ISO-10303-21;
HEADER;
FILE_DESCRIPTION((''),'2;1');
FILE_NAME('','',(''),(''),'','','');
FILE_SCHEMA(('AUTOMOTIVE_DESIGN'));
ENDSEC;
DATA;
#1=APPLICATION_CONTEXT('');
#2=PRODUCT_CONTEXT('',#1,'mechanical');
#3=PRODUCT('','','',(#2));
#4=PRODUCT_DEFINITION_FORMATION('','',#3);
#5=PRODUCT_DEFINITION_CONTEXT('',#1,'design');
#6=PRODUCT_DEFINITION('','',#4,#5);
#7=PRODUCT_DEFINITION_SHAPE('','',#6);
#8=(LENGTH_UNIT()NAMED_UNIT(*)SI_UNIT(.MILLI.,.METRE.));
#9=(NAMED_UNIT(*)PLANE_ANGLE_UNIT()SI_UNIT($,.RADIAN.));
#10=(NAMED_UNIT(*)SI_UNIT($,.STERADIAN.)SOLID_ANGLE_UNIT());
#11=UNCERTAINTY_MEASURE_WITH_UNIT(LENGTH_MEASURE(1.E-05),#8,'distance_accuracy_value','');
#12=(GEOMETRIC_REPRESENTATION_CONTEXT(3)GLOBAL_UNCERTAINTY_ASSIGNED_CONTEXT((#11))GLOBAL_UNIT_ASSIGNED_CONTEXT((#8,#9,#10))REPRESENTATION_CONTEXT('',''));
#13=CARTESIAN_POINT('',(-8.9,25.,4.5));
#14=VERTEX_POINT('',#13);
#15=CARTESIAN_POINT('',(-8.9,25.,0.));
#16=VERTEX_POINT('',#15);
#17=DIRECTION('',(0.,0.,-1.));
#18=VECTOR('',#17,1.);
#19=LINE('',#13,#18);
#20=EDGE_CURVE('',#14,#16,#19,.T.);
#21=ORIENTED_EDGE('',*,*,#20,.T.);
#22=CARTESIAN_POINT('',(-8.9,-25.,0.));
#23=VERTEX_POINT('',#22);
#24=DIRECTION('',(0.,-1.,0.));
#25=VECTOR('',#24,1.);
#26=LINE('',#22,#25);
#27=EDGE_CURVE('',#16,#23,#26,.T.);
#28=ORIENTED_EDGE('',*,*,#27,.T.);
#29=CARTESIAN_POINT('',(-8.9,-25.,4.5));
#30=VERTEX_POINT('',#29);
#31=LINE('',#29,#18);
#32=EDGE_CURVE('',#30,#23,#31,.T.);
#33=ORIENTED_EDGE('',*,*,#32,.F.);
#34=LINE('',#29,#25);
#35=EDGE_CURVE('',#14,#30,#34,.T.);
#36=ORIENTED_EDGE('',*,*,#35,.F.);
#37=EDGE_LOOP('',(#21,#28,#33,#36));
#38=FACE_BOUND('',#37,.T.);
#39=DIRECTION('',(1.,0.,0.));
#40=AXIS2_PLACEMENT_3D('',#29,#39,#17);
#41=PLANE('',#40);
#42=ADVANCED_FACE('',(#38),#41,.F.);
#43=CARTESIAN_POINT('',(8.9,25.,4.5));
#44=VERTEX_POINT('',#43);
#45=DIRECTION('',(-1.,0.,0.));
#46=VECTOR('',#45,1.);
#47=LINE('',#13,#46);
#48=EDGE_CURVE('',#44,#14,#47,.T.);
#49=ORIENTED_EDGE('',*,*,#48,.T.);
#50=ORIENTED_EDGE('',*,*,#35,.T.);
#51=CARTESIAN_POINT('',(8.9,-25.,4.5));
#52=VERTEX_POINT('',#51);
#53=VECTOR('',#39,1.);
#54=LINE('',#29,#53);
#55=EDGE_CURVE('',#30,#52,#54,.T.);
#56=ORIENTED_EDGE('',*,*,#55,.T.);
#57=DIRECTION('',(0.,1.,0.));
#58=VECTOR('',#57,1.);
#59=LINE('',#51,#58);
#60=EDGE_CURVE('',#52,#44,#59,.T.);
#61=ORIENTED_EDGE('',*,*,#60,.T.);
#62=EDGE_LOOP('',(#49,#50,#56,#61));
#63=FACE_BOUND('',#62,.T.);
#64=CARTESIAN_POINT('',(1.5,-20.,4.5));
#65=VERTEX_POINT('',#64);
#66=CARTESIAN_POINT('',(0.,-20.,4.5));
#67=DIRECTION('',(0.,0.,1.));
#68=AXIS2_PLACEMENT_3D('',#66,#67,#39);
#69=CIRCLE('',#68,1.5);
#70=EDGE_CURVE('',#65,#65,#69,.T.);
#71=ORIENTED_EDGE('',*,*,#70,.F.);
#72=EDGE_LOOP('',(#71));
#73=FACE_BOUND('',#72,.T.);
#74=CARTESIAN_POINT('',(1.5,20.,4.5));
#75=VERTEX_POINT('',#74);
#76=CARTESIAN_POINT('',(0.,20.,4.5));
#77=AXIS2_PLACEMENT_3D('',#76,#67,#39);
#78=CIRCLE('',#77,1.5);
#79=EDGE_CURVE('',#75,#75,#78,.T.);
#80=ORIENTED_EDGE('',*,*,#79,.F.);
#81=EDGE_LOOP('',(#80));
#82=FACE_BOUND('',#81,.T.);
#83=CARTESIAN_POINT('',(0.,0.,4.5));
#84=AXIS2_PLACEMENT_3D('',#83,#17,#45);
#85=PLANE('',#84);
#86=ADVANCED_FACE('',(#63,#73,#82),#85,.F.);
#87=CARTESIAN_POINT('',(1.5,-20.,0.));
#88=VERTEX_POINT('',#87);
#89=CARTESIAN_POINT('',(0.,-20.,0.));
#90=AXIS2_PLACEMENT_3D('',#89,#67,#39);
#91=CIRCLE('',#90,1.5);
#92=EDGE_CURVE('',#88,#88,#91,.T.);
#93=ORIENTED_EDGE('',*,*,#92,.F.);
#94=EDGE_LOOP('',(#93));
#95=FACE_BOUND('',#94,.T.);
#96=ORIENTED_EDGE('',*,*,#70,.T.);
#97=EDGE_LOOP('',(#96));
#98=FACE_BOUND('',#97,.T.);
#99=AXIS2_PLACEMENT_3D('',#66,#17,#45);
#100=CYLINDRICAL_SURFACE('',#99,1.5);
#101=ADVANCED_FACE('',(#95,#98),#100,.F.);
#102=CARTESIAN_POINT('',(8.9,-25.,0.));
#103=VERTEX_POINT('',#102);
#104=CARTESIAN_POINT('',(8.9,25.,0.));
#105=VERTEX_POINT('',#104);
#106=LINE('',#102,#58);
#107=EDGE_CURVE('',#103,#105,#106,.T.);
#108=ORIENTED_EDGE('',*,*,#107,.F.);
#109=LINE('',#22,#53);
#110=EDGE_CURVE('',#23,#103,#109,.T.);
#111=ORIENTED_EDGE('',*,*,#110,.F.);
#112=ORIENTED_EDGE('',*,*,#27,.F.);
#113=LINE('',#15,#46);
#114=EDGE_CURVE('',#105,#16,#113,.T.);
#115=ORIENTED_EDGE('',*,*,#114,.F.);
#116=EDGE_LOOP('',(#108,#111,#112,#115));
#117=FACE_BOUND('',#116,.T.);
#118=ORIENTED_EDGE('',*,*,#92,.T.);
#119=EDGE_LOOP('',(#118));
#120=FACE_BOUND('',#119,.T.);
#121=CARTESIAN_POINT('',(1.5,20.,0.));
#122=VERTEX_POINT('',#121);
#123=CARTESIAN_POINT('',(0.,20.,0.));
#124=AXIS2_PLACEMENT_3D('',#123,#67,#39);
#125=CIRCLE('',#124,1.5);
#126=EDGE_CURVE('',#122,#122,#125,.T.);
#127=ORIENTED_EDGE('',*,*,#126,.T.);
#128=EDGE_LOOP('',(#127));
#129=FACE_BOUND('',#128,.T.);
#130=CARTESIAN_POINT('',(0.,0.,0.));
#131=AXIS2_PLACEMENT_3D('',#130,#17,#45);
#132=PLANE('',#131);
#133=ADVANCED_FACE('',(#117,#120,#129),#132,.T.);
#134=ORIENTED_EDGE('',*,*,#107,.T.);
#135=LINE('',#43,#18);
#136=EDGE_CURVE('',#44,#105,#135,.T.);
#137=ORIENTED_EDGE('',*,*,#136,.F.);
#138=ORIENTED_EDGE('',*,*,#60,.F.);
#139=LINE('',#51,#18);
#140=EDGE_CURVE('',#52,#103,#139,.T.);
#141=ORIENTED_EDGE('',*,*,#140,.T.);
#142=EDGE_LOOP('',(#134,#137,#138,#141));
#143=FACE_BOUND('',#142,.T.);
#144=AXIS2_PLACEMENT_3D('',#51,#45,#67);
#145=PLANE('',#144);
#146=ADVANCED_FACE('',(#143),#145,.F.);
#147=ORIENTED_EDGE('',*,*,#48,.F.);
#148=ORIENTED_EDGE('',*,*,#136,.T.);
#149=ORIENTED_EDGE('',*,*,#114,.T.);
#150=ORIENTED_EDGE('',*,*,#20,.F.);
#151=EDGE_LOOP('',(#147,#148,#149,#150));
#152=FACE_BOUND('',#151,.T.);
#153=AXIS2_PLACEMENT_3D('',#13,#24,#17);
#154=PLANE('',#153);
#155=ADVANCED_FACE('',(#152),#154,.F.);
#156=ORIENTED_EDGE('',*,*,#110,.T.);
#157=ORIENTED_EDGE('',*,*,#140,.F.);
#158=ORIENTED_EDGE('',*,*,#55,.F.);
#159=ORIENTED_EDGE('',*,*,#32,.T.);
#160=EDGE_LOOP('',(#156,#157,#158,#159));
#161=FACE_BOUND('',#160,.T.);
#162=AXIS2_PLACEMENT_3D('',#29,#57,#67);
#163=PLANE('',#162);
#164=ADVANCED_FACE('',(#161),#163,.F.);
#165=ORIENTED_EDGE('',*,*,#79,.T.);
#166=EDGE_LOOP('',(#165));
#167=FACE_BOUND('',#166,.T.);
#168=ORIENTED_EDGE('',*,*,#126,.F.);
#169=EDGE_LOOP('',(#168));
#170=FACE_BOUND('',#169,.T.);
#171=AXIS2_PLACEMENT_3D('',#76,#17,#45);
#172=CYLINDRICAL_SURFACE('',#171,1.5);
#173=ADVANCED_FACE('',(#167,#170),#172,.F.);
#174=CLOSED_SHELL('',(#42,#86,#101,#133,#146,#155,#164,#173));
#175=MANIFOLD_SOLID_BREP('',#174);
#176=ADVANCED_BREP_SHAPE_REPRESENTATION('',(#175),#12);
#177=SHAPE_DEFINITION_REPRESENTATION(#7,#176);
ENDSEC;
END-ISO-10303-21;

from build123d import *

# Parameters (mm, degrees)
SKETCH_1_W      = 17.8
SKETCH_1_H      = 50
SKETCH_1_R      = 1.5
EXTRUDE_1_DEPTH = 4.5


with BuildPart() as part:
    # 草图1 → 凸台-拉伸1 (new body)
    with BuildSketch(Plane.XY):
        Rectangle(SKETCH_1_W, SKETCH_1_H)
        with Locations((0, -20)):
            Circle(SKETCH_1_R, mode=Mode.SUBTRACT)
        with Locations((0, 20)):
            Circle(SKETCH_1_R, mode=Mode.SUBTRACT)
    extrude(amount=EXTRUDE_1_DEPTH)


solid = part.part
